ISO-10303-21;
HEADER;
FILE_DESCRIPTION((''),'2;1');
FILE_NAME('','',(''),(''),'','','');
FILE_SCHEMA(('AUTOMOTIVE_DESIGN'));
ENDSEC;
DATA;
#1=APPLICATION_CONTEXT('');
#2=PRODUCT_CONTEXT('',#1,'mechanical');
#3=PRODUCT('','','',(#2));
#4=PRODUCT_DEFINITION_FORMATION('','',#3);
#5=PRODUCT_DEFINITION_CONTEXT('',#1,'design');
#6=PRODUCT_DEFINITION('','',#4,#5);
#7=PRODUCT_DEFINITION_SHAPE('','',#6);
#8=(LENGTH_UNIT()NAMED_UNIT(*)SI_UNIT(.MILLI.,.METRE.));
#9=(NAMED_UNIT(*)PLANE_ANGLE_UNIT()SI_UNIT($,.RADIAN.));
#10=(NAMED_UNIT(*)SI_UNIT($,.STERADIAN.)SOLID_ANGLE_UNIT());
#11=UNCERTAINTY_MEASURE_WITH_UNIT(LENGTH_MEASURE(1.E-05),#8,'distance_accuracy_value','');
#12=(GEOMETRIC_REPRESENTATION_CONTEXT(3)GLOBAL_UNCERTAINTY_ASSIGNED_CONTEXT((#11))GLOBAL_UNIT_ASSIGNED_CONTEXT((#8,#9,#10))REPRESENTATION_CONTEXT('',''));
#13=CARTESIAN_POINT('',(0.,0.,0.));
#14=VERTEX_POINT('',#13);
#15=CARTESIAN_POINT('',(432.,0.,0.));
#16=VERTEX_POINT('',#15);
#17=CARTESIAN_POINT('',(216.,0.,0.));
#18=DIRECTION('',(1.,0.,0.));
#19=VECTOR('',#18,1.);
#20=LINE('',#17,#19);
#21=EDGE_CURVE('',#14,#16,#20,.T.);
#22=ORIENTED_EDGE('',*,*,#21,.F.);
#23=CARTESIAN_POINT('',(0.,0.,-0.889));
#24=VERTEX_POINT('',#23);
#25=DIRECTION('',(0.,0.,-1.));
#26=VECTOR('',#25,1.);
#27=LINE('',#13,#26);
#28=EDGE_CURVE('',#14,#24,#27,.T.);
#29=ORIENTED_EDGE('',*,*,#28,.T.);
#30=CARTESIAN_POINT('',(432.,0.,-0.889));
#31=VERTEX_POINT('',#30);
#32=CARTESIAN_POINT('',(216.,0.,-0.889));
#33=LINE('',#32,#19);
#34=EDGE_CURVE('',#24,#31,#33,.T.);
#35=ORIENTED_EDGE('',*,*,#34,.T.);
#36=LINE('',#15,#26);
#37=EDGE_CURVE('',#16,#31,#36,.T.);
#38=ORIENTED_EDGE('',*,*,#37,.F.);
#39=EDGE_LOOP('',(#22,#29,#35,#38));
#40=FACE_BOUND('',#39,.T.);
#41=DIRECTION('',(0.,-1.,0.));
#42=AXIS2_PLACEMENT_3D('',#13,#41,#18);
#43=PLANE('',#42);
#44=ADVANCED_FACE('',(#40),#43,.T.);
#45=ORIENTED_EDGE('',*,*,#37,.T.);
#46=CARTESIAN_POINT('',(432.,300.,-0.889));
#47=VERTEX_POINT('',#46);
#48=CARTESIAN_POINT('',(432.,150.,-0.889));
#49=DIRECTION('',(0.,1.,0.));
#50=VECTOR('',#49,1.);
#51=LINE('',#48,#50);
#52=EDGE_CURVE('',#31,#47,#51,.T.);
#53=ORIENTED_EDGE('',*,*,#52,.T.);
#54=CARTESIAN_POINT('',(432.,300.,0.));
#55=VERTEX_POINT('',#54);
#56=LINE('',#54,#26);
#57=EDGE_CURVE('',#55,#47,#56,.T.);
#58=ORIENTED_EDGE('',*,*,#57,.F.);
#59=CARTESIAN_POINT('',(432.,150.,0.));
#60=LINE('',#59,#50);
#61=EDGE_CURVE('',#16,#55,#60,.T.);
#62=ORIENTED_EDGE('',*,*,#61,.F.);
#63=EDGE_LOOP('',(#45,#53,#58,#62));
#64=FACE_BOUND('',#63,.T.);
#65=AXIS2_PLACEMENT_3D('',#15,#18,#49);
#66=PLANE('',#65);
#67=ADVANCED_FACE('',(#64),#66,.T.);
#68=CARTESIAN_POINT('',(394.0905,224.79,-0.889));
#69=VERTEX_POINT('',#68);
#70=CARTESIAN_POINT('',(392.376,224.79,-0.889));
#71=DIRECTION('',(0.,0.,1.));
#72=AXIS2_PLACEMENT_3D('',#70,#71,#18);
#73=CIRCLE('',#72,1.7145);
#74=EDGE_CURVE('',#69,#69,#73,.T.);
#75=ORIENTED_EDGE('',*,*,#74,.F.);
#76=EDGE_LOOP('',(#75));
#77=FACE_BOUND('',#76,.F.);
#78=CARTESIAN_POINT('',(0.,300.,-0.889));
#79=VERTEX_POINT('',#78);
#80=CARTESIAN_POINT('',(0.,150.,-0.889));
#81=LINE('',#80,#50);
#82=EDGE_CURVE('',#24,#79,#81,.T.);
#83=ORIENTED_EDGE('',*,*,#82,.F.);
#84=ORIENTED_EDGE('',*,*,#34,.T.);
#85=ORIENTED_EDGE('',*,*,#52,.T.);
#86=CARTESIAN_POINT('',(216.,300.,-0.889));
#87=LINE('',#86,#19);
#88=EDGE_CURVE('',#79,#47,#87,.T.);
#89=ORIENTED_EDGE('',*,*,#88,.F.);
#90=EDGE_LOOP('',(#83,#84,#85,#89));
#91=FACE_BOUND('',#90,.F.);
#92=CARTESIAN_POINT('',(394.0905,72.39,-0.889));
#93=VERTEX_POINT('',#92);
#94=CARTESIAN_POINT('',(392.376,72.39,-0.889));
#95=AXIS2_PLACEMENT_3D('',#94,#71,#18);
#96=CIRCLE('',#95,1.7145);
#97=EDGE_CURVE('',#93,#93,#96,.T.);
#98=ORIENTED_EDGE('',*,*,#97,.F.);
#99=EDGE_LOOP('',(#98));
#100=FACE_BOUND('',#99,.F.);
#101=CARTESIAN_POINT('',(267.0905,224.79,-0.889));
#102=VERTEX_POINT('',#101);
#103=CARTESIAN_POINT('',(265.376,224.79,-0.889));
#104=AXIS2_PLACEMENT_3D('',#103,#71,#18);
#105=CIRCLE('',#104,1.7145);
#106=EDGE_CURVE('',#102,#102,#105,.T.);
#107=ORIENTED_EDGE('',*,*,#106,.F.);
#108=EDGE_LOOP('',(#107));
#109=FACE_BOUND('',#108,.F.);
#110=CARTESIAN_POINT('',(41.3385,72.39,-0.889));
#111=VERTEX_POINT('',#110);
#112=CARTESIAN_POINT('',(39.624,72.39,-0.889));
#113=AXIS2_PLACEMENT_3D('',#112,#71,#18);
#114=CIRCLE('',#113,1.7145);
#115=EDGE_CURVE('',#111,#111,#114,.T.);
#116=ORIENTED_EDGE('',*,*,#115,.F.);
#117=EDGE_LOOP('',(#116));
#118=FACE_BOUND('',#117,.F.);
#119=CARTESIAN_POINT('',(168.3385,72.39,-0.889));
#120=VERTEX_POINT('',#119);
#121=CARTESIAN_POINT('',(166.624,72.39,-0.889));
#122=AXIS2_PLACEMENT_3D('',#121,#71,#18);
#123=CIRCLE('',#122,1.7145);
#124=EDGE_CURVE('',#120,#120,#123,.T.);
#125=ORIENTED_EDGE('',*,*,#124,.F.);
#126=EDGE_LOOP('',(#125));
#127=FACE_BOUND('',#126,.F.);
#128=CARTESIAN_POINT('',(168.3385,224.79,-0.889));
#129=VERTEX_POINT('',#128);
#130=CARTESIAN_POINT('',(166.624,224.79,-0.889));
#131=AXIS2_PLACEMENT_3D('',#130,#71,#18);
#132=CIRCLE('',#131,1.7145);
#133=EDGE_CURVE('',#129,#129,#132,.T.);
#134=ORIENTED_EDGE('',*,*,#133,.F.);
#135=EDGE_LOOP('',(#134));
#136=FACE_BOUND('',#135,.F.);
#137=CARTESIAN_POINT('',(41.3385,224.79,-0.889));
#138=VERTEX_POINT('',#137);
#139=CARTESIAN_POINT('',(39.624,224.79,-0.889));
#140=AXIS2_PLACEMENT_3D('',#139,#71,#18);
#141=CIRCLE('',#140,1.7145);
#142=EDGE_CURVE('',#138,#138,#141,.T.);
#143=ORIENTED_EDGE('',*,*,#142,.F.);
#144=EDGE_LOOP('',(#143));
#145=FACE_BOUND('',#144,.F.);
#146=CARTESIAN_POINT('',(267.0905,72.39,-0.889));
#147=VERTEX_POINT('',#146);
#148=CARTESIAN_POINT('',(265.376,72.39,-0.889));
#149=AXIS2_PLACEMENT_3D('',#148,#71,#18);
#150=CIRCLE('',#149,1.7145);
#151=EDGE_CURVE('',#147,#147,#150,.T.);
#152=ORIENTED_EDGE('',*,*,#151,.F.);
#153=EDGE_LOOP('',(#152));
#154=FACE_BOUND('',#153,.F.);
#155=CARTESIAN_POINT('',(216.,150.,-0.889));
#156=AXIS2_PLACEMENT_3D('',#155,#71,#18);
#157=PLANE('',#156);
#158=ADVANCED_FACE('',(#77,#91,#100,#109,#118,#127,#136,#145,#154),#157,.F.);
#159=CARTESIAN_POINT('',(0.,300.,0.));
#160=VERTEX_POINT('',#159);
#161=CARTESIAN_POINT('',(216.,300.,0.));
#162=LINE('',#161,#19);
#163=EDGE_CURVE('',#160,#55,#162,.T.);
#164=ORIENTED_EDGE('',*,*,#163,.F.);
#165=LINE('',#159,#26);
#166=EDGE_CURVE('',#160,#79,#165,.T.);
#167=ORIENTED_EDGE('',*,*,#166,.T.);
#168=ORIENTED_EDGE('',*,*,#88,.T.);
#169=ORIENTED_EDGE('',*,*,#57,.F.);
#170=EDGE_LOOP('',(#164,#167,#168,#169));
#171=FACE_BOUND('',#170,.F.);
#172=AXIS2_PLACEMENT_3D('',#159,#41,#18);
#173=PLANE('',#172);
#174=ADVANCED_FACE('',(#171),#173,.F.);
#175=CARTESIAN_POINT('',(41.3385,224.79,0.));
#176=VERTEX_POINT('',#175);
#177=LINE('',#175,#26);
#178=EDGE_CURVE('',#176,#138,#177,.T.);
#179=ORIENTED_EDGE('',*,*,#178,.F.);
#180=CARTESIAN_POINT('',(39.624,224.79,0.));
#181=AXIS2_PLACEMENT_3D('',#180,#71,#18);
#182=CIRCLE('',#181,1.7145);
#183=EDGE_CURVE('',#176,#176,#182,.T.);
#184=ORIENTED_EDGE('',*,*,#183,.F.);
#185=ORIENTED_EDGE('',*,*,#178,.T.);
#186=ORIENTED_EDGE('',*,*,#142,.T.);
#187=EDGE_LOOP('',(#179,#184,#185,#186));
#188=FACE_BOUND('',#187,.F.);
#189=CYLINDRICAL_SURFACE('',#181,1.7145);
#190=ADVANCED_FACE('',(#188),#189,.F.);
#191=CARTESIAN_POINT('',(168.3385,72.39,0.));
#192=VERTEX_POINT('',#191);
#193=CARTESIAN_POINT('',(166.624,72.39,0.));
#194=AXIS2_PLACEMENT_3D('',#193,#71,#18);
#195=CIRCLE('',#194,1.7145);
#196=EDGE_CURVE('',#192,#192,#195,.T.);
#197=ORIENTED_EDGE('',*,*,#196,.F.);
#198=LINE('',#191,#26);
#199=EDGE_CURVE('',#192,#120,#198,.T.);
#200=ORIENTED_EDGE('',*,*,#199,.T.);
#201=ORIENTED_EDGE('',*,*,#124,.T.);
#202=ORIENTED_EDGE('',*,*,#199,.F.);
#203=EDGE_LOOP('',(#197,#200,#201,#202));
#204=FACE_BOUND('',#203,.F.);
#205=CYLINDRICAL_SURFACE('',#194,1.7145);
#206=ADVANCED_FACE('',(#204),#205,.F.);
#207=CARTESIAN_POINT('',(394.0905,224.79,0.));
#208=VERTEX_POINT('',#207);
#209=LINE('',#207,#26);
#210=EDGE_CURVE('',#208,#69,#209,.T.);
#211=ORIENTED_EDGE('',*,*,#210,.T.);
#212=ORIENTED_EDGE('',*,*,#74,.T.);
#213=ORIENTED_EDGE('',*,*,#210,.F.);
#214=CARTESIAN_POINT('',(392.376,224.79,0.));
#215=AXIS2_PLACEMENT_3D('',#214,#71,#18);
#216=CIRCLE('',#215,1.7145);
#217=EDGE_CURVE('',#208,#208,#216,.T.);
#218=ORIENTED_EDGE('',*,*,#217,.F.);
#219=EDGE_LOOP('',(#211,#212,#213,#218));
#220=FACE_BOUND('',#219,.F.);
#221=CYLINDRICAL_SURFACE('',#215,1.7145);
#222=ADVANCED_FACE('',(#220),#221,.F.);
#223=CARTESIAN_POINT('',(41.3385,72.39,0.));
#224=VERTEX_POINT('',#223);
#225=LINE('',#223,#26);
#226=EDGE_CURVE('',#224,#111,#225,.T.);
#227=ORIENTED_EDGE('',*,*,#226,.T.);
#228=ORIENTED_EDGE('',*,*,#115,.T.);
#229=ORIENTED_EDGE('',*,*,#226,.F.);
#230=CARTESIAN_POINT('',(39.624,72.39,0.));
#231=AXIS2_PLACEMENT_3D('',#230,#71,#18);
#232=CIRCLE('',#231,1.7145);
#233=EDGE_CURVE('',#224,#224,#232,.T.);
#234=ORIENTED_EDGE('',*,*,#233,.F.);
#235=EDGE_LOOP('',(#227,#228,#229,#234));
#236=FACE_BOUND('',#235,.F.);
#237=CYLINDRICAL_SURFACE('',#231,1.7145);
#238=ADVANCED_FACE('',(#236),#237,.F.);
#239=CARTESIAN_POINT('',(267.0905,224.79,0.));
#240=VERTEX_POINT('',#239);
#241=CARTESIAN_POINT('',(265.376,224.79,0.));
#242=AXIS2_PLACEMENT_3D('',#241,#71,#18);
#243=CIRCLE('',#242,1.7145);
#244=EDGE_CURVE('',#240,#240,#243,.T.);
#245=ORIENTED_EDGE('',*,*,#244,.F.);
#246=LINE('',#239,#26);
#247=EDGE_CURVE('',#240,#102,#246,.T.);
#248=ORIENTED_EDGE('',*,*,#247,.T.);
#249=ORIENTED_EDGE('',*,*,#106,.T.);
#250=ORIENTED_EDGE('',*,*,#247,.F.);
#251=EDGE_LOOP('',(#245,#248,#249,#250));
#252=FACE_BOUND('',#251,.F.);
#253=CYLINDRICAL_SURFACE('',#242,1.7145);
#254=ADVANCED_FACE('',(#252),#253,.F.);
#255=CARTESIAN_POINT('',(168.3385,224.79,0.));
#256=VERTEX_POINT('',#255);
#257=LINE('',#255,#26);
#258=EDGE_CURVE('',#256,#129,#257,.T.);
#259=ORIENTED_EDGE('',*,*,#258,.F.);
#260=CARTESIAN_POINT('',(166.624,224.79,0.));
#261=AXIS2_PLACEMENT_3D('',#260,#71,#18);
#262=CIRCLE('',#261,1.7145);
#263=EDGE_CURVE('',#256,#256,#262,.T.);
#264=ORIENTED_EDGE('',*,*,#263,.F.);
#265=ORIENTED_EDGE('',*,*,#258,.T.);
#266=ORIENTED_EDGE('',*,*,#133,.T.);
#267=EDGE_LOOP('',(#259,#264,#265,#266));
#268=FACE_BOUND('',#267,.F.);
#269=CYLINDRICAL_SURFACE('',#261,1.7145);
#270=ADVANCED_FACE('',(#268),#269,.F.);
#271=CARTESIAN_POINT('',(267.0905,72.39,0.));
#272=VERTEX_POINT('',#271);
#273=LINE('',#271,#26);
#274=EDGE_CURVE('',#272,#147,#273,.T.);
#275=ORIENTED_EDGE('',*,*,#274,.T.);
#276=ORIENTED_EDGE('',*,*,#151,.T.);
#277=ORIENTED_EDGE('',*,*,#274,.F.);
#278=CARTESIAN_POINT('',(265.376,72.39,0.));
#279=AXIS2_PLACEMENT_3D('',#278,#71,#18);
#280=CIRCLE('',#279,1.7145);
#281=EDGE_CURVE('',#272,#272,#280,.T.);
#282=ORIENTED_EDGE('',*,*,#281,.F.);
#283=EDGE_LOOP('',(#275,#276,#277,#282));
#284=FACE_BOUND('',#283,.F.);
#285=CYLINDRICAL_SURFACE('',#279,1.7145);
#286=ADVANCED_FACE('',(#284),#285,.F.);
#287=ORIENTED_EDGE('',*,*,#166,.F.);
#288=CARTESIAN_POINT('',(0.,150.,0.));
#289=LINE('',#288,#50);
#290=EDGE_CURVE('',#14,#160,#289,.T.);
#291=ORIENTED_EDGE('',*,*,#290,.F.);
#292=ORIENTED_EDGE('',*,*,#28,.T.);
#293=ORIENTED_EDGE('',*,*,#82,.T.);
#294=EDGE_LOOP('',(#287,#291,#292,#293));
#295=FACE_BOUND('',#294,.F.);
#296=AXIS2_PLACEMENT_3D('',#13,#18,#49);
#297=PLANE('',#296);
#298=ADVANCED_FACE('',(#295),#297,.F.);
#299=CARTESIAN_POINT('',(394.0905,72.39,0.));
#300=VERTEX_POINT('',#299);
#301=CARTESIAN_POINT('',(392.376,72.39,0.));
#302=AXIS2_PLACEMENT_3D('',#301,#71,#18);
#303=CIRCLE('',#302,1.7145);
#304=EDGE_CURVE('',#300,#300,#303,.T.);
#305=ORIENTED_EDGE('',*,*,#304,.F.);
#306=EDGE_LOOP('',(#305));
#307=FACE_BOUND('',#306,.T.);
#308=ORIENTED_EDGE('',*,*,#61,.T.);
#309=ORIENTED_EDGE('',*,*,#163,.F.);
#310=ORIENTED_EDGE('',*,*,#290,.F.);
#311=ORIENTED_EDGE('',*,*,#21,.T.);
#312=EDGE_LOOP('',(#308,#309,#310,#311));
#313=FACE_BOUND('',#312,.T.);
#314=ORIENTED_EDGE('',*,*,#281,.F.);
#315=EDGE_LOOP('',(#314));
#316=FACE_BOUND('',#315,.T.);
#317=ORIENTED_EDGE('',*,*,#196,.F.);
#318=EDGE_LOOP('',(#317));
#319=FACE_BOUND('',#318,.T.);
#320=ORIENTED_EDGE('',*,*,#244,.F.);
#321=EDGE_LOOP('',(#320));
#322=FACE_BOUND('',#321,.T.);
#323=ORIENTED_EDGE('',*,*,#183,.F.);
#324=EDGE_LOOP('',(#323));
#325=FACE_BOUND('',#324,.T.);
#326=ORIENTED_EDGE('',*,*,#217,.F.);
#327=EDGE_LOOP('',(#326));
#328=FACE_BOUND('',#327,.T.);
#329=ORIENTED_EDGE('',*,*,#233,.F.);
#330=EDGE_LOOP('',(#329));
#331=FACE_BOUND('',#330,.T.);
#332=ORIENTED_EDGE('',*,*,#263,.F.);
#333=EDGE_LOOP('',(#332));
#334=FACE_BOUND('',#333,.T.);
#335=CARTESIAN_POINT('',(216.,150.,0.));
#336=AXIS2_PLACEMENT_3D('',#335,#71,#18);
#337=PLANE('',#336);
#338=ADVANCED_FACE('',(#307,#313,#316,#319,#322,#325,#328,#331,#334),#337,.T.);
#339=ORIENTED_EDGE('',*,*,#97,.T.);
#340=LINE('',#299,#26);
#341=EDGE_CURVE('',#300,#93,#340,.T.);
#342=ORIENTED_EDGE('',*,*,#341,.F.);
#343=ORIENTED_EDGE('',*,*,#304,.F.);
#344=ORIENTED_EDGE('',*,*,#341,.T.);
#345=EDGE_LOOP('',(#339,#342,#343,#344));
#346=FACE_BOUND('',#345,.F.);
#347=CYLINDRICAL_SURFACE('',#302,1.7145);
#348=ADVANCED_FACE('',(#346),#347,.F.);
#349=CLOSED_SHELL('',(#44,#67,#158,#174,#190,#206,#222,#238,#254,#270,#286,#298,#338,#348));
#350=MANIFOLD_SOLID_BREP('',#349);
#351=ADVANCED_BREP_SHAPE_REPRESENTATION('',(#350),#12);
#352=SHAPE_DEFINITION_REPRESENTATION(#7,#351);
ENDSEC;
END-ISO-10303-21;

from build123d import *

# Parameters (mm, degrees)
F0_W     = 432
F0_H     = 300
F0_R     = 1.7145
F1_DEPTH = 0.889


with BuildPart() as f1:
    # F0 (on Top) → F1 (new body)
    with BuildSketch(Plane.XY):
        with Locations((216, 150)):
            Rectangle(F0_W, F0_H)
        with Locations((39.624, 72.39)):
            Circle(F0_R, mode=Mode.SUBTRACT)
        with Locations((166.624, 72.39)):
            Circle(F0_R, mode=Mode.SUBTRACT)
        with Locations((265.376, 72.39)):
            Circle(F0_R, mode=Mode.SUBTRACT)
        with Locations((392.376, 72.39)):
            Circle(F0_R, mode=Mode.SUBTRACT)
        with Locations((39.624, 224.79)):
            Circle(F0_R, mode=Mode.SUBTRACT)
        with Locations((166.624, 224.79)):
            Circle(F0_R, mode=Mode.SUBTRACT)
        with Locations((265.376, 224.79)):
            Circle(F0_R, mode=Mode.SUBTRACT)
        with Locations((392.376, 224.79)):
            Circle(F0_R, mode=Mode.SUBTRACT)
    extrude(amount=-F1_DEPTH)


solid = f1.part
